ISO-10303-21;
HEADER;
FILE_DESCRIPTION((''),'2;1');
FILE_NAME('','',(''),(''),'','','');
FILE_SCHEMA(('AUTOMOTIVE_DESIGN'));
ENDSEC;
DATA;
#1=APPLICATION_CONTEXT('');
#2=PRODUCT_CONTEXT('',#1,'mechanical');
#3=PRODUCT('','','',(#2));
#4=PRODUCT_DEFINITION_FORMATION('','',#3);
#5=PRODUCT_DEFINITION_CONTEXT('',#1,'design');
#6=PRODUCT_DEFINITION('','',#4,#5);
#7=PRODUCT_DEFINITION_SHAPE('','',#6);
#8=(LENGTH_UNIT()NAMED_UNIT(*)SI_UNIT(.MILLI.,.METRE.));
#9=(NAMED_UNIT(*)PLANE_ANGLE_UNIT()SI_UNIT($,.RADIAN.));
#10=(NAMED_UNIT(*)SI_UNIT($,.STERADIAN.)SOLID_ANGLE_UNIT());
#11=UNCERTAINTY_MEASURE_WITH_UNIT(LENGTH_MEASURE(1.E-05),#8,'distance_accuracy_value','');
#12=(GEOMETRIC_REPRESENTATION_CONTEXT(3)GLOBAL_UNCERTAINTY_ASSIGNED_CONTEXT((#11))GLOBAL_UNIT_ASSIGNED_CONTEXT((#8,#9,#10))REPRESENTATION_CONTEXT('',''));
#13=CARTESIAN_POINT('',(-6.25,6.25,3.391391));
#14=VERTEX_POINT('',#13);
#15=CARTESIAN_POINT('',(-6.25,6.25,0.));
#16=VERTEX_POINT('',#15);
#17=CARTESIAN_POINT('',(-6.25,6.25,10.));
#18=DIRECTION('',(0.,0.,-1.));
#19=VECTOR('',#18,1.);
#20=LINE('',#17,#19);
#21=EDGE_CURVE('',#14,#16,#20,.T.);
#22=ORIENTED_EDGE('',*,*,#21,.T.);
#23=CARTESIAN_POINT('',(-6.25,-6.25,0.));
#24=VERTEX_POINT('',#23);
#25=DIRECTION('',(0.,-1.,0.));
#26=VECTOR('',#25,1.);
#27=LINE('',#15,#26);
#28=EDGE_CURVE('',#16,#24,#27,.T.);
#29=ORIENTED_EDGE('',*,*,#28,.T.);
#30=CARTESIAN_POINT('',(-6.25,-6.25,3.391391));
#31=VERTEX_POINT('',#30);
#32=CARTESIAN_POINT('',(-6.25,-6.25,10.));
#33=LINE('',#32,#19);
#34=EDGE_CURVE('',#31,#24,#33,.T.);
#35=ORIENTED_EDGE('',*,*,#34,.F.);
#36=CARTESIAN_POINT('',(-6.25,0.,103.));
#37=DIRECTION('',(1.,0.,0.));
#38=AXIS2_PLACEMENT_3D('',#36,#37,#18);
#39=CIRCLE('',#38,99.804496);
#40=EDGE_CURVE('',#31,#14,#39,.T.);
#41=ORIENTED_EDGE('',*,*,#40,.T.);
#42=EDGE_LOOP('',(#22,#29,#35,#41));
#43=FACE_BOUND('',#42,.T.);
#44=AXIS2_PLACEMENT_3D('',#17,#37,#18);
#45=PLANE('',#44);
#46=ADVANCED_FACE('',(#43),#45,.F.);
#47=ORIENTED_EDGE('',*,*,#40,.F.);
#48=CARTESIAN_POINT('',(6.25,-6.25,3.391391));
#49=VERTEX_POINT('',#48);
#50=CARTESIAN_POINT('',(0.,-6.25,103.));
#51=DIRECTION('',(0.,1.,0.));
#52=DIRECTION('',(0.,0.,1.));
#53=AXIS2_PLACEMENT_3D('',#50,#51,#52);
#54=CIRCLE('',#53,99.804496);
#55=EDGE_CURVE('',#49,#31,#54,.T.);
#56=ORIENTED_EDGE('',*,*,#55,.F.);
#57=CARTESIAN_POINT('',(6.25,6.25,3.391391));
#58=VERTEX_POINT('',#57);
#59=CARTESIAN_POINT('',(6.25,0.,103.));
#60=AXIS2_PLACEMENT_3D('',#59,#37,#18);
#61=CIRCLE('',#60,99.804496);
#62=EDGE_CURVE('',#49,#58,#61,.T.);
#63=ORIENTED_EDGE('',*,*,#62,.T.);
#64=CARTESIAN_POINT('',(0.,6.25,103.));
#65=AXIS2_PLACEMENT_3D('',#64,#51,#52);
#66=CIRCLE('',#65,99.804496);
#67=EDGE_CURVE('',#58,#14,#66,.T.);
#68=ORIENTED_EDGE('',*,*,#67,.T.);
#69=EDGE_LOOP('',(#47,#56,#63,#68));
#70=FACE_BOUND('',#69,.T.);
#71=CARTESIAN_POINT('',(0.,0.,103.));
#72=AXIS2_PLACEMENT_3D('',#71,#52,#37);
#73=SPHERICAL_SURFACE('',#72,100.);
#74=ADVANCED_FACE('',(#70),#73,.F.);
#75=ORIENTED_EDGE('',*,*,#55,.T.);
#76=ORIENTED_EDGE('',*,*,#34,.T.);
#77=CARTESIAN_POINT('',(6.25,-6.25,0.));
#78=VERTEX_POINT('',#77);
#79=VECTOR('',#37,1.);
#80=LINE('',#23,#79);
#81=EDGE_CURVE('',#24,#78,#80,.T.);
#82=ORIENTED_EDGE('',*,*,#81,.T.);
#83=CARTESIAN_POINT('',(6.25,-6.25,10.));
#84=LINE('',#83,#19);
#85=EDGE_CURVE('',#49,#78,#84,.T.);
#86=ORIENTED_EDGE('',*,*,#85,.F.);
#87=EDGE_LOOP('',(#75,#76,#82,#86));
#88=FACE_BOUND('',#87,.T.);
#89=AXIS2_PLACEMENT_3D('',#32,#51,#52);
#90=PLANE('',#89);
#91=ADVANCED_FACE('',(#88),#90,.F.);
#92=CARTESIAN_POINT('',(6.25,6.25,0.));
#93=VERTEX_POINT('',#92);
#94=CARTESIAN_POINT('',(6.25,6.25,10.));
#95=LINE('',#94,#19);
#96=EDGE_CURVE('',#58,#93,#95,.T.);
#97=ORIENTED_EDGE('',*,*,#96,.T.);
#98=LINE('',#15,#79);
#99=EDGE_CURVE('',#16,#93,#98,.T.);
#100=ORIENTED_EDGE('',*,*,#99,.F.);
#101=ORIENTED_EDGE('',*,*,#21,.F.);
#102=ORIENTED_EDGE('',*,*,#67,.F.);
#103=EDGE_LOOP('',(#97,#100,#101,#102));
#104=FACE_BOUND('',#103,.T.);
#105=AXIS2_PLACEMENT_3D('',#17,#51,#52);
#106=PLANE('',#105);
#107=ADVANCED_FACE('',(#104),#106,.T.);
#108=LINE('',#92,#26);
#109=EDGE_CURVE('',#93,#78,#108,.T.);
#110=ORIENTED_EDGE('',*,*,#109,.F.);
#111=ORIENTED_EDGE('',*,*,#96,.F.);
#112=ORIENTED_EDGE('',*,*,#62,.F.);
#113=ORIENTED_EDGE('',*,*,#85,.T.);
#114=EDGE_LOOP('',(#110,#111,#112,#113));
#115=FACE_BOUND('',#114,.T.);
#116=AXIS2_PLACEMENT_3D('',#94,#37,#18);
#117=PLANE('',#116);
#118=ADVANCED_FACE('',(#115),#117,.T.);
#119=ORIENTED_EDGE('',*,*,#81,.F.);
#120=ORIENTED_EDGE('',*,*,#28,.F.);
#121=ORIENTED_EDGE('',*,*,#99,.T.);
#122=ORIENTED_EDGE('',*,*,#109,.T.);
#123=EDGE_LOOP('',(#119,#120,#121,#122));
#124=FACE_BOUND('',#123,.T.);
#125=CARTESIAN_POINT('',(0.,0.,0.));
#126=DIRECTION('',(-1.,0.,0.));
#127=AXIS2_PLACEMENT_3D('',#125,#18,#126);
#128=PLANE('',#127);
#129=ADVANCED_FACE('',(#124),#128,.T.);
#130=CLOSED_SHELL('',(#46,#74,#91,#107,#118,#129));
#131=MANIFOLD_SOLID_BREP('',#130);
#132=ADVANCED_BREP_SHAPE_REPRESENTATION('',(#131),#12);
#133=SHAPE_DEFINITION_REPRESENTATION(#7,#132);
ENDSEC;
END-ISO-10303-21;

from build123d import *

# Parameters (mm, degrees)
SKETCH_1_W      = 12.5
SKETCH_1_H      = 12.5
EXTRUDE_1_DEPTH = 10


with BuildPart() as part:
    # 草图1 → 凸台-拉伸1 (new body)
    with BuildSketch(Plane.XY):
        Rectangle(SKETCH_1_W, SKETCH_1_H)
    extrude(amount=EXTRUDE_1_DEPTH)

    # 草图2 → 切除-旋转2 (revolve, cut)
    with BuildSketch(Plane(origin=(0, 0, 0), x_dir=(1, 0, 0), z_dir=(0, 1, 0))):
        with BuildLine():
            Line((97.484546181, -80.711813537), (0, -80.711813537))
            Line((0, -80.711813537), (0, -3))
            ThreePointArc((0, -3), (62.334506309, -24.805311413), (97.484546181, -80.711813537))
        make_face()
    revolve(axis=Axis((0, 0, 80.711813537), (0, 0, -1)), mode=Mode.SUBTRACT)


solid = part.part
